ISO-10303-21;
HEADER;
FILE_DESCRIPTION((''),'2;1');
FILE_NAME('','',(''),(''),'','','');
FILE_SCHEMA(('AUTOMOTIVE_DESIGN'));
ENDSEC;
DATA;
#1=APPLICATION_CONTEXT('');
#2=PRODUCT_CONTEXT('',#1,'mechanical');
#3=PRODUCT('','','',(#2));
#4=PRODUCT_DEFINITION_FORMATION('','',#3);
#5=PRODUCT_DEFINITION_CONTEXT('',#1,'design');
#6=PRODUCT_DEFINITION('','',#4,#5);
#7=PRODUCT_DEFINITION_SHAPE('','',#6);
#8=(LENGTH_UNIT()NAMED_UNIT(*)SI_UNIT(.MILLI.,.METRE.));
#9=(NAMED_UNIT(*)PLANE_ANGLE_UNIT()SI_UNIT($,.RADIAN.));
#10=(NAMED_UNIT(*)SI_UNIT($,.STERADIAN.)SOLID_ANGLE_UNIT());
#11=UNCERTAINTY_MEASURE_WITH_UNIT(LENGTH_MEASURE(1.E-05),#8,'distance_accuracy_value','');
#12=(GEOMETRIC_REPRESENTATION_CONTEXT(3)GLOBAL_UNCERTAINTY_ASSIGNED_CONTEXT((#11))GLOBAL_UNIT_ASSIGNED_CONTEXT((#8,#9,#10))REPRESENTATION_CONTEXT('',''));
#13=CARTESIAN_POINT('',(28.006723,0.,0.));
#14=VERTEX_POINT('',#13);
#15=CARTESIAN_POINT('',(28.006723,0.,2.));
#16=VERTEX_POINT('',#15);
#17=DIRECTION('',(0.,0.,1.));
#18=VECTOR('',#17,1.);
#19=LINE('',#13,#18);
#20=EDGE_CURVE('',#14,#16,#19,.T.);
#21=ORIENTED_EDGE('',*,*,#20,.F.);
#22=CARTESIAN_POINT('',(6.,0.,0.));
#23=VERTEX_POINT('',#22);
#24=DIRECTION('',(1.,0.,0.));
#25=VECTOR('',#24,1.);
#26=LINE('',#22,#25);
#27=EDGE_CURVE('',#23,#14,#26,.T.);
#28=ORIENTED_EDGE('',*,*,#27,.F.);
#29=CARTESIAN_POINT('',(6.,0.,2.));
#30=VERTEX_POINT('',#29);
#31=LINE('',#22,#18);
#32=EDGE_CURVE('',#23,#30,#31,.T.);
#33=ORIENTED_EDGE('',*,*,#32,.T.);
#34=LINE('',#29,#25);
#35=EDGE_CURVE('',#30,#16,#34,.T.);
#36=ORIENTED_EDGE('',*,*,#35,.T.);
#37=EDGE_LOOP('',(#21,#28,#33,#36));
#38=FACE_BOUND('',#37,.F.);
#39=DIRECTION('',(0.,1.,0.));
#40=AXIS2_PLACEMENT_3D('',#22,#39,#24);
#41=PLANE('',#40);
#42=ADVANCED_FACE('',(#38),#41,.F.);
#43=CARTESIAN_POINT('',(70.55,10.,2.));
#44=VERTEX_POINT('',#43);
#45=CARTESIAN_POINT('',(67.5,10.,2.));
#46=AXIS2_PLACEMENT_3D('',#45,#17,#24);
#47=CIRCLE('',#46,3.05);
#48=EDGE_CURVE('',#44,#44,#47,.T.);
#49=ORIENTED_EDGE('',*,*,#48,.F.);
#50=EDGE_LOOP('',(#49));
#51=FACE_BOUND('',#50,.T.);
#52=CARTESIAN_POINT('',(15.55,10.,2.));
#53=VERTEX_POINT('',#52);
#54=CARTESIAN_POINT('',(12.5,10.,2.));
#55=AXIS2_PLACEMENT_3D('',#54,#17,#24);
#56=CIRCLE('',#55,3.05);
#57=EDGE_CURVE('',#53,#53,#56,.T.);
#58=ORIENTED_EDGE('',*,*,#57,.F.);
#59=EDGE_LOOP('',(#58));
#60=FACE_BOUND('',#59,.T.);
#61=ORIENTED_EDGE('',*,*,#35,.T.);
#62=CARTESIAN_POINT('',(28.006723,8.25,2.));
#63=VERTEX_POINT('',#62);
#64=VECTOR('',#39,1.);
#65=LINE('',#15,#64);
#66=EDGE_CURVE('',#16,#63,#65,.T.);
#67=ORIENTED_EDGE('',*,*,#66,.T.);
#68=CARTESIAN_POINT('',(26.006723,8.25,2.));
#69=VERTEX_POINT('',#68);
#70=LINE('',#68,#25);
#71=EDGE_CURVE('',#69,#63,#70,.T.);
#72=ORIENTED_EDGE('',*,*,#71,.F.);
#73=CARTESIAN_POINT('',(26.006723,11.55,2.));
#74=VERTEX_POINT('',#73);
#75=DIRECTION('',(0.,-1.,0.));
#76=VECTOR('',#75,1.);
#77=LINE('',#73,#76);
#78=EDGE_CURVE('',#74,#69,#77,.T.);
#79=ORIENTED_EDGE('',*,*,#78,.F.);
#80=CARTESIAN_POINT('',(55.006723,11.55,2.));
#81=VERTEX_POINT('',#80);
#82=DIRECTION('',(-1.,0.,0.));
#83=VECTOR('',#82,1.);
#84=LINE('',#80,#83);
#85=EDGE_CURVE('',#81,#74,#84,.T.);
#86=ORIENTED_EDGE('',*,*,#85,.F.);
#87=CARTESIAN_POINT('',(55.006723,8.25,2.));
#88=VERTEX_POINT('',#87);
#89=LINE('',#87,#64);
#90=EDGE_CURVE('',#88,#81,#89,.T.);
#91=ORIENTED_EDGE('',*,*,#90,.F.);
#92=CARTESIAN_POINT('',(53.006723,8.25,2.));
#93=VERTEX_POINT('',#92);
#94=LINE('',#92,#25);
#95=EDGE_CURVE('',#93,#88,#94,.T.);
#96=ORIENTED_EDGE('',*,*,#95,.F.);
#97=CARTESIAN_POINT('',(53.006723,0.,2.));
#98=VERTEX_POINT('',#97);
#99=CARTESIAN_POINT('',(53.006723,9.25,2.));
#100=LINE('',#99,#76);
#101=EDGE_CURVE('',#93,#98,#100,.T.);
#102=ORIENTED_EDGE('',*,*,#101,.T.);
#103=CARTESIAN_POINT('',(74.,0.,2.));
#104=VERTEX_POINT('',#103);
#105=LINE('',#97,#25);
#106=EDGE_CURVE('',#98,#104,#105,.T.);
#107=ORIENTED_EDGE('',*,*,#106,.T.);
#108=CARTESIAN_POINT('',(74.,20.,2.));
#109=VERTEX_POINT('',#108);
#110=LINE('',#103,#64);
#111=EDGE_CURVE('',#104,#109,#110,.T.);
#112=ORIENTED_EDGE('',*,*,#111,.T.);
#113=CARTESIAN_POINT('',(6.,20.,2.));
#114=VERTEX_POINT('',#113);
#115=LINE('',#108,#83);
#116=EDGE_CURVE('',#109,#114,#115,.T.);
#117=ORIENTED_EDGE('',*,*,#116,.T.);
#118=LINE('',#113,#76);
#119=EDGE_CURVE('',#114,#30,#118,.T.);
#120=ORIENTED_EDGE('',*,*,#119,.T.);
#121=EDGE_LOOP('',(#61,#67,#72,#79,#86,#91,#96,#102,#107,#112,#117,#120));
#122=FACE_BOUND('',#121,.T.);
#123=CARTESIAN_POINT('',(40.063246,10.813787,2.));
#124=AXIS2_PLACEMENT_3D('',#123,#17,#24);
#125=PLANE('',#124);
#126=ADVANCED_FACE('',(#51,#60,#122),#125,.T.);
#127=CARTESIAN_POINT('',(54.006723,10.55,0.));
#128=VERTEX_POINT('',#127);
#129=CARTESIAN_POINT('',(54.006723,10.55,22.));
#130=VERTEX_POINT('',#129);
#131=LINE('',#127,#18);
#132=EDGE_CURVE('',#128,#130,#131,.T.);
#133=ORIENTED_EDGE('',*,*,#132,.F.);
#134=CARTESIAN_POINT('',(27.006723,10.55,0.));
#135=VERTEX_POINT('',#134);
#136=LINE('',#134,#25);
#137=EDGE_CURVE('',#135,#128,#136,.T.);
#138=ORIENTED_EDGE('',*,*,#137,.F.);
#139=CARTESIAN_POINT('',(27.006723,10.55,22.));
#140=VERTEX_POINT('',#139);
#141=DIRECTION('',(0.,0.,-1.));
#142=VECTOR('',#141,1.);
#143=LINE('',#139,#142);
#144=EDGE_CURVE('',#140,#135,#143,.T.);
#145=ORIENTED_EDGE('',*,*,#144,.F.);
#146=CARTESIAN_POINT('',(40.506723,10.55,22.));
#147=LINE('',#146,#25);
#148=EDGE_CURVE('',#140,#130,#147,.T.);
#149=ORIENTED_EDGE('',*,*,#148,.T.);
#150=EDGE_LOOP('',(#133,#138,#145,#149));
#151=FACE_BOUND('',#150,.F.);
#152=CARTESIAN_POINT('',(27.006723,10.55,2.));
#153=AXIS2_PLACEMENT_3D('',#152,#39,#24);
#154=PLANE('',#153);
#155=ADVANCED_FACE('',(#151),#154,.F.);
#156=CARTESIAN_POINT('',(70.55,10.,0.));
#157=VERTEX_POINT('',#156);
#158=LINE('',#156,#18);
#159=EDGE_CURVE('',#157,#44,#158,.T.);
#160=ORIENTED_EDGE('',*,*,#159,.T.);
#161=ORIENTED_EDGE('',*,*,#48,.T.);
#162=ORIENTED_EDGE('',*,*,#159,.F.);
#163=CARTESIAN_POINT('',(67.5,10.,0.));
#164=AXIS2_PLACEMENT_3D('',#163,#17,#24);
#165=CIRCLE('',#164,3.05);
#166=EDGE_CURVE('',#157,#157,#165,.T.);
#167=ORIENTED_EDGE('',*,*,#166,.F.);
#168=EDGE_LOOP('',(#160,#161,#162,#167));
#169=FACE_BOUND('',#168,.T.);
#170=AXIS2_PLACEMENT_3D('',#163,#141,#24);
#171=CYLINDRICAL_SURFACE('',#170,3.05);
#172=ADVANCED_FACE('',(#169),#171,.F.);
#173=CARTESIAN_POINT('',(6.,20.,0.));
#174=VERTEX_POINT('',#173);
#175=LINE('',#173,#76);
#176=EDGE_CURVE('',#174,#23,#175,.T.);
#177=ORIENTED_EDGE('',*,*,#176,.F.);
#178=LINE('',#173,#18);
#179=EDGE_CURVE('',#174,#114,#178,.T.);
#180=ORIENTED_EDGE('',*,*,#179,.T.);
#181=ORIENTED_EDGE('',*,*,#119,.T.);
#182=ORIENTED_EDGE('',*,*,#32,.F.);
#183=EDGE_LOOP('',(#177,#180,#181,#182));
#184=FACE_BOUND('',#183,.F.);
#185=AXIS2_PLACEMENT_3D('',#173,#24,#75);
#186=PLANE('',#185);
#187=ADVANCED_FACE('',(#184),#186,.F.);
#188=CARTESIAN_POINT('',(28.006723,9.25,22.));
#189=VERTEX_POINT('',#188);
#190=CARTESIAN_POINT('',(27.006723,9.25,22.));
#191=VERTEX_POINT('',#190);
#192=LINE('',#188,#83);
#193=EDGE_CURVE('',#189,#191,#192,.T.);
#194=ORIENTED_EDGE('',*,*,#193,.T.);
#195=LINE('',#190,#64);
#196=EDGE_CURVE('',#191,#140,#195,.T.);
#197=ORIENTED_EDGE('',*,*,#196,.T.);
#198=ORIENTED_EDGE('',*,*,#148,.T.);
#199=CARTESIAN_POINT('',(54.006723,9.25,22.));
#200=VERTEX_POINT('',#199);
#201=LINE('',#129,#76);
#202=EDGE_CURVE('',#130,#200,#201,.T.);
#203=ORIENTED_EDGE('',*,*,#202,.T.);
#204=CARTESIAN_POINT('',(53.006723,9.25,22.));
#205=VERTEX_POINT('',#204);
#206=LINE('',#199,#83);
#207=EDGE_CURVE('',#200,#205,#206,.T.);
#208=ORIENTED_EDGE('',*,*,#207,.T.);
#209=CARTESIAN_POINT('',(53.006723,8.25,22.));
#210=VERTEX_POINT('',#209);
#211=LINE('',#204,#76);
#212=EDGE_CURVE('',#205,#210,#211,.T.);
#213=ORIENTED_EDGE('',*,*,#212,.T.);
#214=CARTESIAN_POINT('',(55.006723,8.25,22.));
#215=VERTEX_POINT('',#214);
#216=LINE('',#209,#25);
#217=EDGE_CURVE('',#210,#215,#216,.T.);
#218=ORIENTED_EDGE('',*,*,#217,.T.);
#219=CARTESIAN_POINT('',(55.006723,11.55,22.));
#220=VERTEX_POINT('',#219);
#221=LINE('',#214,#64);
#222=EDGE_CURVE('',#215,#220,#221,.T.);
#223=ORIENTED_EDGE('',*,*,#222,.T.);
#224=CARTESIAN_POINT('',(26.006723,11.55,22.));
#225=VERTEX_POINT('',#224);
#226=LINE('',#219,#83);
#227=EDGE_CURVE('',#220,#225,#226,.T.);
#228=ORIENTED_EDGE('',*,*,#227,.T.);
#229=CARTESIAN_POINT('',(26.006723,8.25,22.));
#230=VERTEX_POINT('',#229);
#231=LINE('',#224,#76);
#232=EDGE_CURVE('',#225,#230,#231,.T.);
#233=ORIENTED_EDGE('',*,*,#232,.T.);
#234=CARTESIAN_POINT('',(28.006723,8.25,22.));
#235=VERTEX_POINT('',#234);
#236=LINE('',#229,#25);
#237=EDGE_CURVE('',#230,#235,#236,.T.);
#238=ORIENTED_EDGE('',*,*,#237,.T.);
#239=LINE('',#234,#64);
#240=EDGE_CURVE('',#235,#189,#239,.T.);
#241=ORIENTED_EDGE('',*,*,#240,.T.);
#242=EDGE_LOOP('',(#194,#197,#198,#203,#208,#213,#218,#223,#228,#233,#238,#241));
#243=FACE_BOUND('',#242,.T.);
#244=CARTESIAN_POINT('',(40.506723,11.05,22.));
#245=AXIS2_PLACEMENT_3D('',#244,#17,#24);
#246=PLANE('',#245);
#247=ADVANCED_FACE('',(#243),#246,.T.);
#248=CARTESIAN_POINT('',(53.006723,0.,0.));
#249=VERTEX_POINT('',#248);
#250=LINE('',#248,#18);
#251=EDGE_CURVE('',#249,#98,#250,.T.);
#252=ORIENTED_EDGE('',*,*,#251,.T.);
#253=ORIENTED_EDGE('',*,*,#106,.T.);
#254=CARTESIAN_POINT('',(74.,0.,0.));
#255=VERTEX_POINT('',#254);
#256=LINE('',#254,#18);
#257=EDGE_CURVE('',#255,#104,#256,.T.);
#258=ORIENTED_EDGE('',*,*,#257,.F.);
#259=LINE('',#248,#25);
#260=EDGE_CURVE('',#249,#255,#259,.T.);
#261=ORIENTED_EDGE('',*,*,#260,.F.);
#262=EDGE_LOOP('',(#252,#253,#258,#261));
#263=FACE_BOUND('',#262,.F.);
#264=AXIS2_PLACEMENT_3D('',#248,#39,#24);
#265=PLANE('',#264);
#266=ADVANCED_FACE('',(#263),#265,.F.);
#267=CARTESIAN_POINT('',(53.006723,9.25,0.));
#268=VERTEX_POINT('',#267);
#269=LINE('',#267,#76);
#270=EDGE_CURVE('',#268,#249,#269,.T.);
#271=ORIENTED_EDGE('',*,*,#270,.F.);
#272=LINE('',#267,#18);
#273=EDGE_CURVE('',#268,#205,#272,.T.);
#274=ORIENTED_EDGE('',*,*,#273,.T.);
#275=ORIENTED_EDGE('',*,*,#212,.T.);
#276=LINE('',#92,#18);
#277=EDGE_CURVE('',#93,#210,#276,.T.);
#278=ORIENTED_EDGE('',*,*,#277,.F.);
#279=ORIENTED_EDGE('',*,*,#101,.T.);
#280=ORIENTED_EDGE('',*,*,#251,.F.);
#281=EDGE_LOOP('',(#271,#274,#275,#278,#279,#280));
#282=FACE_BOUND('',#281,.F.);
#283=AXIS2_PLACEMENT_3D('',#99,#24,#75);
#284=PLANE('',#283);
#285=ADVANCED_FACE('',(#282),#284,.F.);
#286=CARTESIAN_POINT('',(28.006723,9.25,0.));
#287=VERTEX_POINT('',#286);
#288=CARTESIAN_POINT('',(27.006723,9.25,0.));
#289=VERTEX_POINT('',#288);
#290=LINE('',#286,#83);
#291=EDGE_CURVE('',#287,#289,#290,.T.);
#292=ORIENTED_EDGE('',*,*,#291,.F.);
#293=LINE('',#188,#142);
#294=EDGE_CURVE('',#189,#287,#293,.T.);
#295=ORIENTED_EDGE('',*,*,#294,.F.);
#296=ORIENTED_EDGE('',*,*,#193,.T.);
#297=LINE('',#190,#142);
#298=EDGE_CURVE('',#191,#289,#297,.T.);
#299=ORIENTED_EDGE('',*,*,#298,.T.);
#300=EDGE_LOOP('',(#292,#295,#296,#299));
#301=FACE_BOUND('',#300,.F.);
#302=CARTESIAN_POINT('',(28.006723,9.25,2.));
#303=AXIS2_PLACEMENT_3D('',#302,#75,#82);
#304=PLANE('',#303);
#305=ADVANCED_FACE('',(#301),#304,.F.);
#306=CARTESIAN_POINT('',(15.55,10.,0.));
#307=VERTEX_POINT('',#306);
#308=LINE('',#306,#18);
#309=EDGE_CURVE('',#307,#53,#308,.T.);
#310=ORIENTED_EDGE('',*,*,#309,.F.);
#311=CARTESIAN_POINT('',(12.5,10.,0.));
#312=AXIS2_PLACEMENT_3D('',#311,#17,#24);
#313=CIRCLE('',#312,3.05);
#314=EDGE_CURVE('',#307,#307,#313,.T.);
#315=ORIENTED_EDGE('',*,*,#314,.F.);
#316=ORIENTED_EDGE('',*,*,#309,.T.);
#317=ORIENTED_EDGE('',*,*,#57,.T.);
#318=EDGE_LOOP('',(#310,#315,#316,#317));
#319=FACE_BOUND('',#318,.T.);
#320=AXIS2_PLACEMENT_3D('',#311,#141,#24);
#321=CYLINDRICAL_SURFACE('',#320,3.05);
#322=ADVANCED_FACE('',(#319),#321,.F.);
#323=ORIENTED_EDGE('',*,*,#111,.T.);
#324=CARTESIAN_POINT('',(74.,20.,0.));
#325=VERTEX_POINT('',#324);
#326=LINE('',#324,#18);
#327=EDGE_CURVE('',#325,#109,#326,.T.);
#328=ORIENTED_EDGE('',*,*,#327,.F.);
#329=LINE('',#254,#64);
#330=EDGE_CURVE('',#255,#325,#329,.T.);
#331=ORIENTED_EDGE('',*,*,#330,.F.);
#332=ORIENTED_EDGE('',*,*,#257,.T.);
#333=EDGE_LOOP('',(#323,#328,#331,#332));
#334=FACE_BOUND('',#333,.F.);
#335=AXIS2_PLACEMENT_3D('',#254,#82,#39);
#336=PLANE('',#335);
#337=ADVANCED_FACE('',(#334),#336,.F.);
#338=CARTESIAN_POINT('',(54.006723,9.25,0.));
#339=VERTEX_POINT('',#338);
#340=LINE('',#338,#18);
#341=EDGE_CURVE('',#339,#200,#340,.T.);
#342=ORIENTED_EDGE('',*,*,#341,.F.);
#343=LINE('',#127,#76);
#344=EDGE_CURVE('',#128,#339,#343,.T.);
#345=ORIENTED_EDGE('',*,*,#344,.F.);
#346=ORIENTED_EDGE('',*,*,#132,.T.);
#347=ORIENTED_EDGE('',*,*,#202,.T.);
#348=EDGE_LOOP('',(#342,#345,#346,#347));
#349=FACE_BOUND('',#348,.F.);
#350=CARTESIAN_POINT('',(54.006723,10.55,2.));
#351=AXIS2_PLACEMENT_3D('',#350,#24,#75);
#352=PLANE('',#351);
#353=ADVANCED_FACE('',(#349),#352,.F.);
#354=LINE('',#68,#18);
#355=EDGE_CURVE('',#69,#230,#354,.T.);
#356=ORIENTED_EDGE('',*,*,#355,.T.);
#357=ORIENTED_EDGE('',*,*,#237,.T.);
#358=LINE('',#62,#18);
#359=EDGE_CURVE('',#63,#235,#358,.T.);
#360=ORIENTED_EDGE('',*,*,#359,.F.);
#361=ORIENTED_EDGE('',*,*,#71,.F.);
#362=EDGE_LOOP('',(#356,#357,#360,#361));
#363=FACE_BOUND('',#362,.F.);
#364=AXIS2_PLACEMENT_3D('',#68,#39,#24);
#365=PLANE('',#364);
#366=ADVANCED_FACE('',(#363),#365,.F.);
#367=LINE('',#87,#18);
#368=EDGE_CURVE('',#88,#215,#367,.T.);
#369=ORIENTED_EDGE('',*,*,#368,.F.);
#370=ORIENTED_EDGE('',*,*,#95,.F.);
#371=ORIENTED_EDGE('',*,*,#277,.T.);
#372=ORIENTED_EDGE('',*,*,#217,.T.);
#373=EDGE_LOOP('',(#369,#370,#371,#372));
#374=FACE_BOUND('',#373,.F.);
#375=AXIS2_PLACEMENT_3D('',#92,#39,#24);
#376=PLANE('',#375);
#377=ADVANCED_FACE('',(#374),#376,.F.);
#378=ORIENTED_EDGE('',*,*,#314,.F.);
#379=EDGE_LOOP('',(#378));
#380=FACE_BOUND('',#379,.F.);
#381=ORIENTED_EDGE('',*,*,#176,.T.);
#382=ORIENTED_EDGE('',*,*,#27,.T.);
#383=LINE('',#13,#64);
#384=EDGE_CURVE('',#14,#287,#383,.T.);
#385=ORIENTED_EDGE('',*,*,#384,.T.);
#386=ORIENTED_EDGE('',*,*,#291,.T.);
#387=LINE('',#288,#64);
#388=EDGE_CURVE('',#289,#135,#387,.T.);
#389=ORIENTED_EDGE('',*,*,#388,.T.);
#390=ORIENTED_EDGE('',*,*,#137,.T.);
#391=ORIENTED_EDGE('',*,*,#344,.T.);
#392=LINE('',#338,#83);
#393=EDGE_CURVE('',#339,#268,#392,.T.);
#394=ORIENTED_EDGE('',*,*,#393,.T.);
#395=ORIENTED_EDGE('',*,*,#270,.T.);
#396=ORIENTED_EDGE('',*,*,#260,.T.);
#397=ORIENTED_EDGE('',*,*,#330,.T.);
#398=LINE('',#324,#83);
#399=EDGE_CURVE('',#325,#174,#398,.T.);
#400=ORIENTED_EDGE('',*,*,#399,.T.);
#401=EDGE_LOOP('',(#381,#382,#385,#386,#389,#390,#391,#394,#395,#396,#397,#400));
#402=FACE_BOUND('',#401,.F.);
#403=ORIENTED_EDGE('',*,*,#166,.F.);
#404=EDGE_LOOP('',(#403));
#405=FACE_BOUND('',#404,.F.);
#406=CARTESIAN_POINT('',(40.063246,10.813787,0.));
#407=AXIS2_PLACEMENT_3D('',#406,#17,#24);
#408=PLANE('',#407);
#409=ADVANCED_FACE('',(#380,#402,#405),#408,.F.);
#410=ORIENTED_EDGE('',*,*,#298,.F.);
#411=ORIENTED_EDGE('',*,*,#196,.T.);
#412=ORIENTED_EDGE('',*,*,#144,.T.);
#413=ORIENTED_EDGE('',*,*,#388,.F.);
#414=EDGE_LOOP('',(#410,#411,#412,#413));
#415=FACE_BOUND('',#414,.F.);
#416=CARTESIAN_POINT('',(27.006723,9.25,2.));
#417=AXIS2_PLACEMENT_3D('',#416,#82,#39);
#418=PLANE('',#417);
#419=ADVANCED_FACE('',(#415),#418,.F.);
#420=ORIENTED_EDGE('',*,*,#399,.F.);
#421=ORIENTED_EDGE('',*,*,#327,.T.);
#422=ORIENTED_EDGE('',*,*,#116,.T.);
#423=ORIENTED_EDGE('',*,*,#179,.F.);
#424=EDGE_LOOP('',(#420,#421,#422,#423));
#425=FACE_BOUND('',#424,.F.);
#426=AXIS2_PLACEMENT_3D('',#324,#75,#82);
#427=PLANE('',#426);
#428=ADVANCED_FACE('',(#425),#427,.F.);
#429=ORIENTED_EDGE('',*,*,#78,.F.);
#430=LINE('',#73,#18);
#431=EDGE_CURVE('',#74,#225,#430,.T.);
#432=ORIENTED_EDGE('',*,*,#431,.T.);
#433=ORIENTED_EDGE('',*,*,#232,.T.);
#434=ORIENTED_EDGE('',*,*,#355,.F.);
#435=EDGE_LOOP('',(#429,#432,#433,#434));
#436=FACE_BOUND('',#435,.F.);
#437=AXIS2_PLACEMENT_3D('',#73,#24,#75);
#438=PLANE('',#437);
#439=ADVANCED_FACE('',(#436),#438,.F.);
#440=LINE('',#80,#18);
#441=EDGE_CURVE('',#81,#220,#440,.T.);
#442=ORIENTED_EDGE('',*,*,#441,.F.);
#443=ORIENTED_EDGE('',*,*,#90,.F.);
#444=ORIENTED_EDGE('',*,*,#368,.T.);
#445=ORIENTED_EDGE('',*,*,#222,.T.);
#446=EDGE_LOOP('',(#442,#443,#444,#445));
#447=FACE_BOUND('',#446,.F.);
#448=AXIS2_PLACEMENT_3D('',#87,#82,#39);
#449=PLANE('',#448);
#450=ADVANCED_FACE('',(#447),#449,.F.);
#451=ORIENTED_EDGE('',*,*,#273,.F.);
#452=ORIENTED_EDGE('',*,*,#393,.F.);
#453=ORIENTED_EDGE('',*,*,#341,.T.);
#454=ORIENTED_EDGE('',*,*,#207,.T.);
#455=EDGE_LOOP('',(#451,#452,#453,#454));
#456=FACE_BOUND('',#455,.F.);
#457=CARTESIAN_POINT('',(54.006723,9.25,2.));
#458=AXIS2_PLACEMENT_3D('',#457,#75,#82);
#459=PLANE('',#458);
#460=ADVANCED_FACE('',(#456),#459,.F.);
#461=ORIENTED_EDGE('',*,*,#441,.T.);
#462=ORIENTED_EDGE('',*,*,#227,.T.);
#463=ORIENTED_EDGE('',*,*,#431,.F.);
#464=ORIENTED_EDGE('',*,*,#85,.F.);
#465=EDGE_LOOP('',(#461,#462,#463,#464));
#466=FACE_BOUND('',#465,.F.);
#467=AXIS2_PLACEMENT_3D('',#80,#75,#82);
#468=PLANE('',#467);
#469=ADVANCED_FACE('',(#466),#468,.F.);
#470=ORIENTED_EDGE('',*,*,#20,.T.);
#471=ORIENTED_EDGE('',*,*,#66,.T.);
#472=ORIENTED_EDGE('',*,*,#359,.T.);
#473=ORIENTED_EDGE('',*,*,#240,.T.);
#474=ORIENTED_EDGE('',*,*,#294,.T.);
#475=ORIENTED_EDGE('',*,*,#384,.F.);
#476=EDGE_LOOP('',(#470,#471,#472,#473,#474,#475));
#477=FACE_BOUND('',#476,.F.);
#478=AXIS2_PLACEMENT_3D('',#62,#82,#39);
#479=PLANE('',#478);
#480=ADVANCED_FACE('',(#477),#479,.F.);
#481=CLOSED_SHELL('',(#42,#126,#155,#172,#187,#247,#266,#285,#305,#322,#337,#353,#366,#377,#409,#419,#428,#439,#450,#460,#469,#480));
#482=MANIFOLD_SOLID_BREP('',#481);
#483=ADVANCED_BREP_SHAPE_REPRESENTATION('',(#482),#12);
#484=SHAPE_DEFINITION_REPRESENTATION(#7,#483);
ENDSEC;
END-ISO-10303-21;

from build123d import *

# Parameters (mm, degrees)
F0_R     = 3.05
F1_DEPTH = 2
F2_W     = 27
F2_H     = 1
F3_DEPTH = 20


with BuildPart() as f1:
    # F0 (on Top) → F1 (new body)
    with BuildSketch(Plane.XY):
        Polygon((6, 20), (6, 0), (28.006723, 0), (28.006723, 9.25), (27.006723, 9.25), (27.006723, 10.55), (54.006723, 10.55), (54.006723, 9.25), (53.006723, 9.25), (53.006723, 0), (74, 0), (74, 20), align=None)
        with Locations((12.5, 10)):
            Circle(F0_R, mode=Mode.SUBTRACT)
        with Locations((67.5, 10)):
            Circle(F0_R, mode=Mode.SUBTRACT)
    extrude(amount=F1_DEPTH)

    # F2 (on face) → F3 (join)
    with BuildSketch(Plane.XY.offset(2)):
        with Locations((40.506723, 11.05)):
            Rectangle(F2_W, F2_H)
        Polygon((27.006723, 9.25), (27.006723, 10.55), (27.006723, 11.55), (26.006723, 11.55), (26.006723, 9.25), align=None)
        Polygon((54.006723, 11.55), (54.006723, 10.55), (54.006723, 9.25), (55.006723, 9.25), (55.006723, 11.55), align=None)
        Polygon((28.006723, 9.25), (27.006723, 9.25), (26.006723, 9.25), (26.006723, 8.25), (28.006723, 8.25), align=None)
        Polygon((55.006723, 9.25), (54.006723, 9.25), (53.006723, 9.25), (53.006723, 8.25), (55.006723, 8.25), align=None)
    extrude(amount=F3_DEPTH)


solid = f1.part
